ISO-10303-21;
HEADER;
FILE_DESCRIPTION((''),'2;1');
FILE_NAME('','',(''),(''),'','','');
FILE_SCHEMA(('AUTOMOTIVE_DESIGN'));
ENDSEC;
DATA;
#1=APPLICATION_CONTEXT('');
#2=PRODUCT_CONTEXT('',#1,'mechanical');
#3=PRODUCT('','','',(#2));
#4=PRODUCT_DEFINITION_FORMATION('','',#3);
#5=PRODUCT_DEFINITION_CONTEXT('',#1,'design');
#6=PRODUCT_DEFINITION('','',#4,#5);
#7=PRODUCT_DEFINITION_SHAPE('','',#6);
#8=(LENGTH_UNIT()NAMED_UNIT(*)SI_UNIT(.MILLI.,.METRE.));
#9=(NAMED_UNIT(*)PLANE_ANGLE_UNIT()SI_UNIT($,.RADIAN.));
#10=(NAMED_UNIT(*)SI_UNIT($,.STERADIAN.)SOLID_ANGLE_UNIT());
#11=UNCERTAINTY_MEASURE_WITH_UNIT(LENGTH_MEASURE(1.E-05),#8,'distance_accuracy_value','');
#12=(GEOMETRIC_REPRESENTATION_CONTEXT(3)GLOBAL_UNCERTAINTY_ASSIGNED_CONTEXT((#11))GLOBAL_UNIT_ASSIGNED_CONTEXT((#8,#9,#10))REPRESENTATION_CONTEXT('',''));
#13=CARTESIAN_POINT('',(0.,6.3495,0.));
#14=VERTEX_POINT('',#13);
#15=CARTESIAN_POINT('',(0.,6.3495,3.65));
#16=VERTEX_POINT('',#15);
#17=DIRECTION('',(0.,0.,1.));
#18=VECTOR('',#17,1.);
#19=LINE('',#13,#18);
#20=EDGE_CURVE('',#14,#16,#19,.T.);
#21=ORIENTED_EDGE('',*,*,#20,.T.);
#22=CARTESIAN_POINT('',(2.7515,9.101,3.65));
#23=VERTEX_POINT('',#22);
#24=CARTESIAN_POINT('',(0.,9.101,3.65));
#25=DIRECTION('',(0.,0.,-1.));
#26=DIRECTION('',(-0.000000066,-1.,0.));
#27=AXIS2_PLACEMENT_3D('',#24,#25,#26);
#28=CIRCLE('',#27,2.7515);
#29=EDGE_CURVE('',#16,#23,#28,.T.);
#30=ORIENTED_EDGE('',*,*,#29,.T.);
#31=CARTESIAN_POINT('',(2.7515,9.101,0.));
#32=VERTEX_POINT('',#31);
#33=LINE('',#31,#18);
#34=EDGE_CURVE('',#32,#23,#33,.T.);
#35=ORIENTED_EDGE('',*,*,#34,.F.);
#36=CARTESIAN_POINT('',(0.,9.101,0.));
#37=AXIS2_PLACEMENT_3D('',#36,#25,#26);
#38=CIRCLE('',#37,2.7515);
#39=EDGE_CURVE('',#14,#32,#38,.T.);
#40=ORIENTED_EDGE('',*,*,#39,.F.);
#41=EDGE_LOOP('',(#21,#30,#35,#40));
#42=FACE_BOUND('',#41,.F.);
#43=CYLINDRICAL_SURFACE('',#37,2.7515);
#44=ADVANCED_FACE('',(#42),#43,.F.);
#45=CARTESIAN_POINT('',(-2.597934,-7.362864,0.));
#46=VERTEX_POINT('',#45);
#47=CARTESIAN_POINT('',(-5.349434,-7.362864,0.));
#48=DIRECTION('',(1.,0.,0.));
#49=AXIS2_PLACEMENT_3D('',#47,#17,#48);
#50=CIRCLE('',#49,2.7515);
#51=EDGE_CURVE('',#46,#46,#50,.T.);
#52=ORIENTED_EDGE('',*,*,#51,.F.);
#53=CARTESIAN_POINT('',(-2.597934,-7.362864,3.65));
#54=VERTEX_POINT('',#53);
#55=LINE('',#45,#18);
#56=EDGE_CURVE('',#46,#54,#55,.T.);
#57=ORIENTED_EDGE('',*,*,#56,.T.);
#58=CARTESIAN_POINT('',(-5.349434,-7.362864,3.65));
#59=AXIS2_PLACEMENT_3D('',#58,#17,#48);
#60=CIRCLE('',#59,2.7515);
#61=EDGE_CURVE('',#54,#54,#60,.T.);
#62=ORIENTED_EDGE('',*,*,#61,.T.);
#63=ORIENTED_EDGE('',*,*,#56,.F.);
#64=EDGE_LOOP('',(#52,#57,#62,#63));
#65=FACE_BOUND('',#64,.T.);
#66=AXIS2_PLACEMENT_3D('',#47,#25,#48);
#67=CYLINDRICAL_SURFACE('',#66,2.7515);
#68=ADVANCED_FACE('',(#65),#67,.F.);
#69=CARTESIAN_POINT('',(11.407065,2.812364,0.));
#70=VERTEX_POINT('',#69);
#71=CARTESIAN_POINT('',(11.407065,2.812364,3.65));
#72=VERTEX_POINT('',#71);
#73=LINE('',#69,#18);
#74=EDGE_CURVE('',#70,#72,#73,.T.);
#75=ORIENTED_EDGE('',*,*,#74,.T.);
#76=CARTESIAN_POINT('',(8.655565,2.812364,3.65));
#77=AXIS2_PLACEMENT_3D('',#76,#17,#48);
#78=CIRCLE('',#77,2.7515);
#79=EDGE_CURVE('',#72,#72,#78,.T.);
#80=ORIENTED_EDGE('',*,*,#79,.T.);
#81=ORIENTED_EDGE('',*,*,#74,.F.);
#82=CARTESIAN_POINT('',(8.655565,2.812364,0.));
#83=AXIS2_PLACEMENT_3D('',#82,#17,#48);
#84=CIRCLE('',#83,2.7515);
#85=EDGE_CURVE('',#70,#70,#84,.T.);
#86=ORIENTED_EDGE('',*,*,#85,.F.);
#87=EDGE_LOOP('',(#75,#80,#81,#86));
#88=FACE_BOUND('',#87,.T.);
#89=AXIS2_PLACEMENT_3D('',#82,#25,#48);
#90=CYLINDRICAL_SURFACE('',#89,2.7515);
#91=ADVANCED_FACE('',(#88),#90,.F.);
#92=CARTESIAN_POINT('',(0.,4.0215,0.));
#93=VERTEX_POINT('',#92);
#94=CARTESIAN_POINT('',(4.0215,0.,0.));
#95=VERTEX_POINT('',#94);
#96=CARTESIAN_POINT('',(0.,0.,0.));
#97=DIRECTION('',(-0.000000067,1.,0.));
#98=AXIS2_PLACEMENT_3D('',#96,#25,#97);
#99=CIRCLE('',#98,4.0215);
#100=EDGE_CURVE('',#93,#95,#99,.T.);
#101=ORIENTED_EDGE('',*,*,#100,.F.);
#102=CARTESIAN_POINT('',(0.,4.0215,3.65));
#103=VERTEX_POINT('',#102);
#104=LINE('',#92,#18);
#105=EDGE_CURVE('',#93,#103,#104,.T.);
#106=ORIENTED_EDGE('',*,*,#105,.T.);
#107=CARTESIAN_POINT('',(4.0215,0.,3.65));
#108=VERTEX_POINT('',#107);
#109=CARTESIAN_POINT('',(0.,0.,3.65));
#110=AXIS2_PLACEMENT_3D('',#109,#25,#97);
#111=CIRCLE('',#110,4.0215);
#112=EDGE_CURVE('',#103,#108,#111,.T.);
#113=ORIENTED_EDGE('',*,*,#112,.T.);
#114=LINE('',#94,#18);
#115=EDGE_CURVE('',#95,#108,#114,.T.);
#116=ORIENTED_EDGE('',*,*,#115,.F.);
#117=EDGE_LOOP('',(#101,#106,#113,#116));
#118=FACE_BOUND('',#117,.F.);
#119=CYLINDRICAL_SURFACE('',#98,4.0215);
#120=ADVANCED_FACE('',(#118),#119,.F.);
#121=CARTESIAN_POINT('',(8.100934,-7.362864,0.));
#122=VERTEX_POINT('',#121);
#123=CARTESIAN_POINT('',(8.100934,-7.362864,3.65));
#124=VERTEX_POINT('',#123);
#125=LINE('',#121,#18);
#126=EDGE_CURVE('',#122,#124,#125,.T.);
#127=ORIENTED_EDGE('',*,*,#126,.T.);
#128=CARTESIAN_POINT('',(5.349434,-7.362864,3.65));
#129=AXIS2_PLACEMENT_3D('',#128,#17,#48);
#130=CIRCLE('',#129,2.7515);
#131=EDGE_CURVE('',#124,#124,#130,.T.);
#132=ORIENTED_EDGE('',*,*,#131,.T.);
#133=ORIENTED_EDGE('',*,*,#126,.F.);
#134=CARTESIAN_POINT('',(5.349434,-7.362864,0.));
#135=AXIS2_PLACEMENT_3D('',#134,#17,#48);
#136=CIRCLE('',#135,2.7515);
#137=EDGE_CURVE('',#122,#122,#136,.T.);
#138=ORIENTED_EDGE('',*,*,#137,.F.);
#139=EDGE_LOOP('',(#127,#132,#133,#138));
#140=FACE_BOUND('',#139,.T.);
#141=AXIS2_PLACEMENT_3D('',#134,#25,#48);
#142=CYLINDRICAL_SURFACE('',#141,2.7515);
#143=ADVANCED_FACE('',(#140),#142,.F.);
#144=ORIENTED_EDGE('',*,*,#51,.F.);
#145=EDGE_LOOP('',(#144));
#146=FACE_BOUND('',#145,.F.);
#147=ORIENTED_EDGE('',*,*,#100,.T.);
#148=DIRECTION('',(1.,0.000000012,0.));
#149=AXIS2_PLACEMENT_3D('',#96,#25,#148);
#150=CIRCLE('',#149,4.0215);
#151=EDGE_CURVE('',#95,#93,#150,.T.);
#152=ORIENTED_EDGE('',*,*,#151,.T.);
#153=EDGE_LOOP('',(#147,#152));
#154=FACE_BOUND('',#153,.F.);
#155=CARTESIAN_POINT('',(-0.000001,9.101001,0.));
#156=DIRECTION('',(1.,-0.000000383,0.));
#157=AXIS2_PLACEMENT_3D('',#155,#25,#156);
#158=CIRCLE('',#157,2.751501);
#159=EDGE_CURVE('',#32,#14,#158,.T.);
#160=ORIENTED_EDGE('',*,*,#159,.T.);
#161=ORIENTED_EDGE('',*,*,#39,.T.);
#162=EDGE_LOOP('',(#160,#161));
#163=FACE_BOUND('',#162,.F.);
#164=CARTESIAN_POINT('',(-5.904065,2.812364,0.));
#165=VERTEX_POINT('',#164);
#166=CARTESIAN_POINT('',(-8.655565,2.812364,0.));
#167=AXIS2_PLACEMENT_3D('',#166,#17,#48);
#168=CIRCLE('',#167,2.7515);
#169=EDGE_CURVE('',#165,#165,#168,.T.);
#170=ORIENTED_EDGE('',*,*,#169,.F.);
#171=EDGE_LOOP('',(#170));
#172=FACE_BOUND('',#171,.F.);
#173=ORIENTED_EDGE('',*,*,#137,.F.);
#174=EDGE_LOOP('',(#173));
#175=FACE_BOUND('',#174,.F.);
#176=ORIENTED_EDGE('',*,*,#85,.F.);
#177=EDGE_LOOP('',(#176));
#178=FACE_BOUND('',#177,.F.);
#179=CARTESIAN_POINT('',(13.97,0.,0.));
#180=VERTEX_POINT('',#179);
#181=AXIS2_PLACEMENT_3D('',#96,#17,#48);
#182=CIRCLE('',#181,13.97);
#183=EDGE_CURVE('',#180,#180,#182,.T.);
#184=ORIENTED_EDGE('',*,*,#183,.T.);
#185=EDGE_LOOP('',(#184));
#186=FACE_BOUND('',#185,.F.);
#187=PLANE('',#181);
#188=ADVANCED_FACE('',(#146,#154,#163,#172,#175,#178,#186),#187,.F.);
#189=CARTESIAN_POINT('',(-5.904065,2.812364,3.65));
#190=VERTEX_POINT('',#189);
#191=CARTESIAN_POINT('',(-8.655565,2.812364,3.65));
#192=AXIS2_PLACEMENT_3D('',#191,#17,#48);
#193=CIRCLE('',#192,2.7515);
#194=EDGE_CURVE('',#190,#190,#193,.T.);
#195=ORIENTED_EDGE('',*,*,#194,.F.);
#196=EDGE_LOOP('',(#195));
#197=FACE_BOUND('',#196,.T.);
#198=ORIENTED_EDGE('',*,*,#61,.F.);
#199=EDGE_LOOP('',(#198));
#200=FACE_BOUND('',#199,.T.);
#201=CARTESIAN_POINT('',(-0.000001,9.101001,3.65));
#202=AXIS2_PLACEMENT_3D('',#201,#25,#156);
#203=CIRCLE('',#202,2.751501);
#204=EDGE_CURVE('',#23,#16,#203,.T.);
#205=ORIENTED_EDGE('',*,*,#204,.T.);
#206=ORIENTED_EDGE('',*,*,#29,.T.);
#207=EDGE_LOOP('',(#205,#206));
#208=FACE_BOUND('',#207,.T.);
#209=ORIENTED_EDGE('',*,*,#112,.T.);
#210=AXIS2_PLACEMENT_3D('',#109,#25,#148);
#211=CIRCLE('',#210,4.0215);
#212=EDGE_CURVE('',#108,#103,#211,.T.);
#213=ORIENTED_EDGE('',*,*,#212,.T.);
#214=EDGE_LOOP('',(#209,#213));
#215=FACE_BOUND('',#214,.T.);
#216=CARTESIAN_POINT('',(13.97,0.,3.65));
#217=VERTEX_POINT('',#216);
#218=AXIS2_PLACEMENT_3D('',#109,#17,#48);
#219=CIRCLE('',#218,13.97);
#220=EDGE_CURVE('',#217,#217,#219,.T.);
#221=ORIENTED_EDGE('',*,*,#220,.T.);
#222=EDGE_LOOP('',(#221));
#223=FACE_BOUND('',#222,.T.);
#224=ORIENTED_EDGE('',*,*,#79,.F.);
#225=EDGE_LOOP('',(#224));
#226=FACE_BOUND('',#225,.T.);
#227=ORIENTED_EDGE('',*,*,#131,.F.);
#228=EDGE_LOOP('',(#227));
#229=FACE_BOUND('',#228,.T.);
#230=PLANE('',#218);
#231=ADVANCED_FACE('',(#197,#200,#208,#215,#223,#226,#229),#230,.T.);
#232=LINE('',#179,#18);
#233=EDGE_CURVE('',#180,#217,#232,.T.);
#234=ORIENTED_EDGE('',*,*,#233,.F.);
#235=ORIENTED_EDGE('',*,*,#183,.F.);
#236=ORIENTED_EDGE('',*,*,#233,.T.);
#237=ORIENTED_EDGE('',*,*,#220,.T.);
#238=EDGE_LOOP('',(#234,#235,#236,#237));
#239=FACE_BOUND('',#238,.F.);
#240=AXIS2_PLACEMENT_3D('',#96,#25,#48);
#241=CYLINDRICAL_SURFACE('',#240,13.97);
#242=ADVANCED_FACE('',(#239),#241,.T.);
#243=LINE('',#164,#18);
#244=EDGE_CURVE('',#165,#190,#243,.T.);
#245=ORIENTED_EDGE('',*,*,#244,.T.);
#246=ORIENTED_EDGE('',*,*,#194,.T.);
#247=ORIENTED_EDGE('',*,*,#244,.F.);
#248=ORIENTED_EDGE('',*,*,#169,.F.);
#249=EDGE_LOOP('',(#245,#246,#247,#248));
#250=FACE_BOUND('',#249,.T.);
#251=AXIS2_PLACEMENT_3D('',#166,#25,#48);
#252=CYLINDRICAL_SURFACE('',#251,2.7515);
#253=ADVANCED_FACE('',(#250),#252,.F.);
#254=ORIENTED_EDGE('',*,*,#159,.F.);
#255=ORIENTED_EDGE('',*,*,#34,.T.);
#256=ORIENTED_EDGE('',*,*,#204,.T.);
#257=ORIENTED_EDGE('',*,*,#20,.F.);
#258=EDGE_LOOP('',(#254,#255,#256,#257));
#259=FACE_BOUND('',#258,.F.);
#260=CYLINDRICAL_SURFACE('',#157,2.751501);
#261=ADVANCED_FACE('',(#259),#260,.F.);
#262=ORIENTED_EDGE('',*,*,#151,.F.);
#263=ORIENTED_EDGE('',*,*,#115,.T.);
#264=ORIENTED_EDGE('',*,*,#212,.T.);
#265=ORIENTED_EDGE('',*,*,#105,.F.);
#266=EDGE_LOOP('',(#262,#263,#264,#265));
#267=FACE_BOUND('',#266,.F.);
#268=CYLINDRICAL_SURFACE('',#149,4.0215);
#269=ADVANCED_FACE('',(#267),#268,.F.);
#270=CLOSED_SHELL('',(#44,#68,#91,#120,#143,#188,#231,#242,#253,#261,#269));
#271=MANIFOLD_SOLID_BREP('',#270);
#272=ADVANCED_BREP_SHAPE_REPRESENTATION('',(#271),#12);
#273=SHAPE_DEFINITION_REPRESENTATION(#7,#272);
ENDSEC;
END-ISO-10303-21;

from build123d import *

# Parameters (mm, degrees)
F0_R     = 13.97
F0_R_2   = 2.7515
F1_DEPTH = 3.65


with BuildPart() as f1:
    # F0 (on Top) → F1 (new body)
    with BuildSketch(Plane.XY):
        Circle(F0_R)
        with Locations((-5.349434, -7.362864)):
            Circle(F0_R_2, mode=Mode.SUBTRACT)
        with BuildLine():
            ThreePointArc((0, 4.0215), (2.84363, 2.84363), (4.0215, 0))
            ThreePointArc((4.0215, 0), (-2.84363, -2.84363), (0, 4.0215))
        make_face(mode=Mode.SUBTRACT)
        with Locations((5.349434, -7.362864)):
            Circle(F0_R_2, mode=Mode.SUBTRACT)
        with Locations((-8.655565, 2.812364)):
            Circle(F0_R_2, mode=Mode.SUBTRACT)
        with BuildLine():
            ThreePointArc((2.7515, 9.101), (1.945604, 7.155396), (0, 6.3495))
            ThreePointArc((0, 6.3495), (-1.945604, 11.046604), (2.7515, 9.101))
        make_face(mode=Mode.SUBTRACT)
        with Locations((8.655565, 2.812364)):
            Circle(F0_R_2, mode=Mode.SUBTRACT)
    extrude(amount=F1_DEPTH)


solid = f1.part
